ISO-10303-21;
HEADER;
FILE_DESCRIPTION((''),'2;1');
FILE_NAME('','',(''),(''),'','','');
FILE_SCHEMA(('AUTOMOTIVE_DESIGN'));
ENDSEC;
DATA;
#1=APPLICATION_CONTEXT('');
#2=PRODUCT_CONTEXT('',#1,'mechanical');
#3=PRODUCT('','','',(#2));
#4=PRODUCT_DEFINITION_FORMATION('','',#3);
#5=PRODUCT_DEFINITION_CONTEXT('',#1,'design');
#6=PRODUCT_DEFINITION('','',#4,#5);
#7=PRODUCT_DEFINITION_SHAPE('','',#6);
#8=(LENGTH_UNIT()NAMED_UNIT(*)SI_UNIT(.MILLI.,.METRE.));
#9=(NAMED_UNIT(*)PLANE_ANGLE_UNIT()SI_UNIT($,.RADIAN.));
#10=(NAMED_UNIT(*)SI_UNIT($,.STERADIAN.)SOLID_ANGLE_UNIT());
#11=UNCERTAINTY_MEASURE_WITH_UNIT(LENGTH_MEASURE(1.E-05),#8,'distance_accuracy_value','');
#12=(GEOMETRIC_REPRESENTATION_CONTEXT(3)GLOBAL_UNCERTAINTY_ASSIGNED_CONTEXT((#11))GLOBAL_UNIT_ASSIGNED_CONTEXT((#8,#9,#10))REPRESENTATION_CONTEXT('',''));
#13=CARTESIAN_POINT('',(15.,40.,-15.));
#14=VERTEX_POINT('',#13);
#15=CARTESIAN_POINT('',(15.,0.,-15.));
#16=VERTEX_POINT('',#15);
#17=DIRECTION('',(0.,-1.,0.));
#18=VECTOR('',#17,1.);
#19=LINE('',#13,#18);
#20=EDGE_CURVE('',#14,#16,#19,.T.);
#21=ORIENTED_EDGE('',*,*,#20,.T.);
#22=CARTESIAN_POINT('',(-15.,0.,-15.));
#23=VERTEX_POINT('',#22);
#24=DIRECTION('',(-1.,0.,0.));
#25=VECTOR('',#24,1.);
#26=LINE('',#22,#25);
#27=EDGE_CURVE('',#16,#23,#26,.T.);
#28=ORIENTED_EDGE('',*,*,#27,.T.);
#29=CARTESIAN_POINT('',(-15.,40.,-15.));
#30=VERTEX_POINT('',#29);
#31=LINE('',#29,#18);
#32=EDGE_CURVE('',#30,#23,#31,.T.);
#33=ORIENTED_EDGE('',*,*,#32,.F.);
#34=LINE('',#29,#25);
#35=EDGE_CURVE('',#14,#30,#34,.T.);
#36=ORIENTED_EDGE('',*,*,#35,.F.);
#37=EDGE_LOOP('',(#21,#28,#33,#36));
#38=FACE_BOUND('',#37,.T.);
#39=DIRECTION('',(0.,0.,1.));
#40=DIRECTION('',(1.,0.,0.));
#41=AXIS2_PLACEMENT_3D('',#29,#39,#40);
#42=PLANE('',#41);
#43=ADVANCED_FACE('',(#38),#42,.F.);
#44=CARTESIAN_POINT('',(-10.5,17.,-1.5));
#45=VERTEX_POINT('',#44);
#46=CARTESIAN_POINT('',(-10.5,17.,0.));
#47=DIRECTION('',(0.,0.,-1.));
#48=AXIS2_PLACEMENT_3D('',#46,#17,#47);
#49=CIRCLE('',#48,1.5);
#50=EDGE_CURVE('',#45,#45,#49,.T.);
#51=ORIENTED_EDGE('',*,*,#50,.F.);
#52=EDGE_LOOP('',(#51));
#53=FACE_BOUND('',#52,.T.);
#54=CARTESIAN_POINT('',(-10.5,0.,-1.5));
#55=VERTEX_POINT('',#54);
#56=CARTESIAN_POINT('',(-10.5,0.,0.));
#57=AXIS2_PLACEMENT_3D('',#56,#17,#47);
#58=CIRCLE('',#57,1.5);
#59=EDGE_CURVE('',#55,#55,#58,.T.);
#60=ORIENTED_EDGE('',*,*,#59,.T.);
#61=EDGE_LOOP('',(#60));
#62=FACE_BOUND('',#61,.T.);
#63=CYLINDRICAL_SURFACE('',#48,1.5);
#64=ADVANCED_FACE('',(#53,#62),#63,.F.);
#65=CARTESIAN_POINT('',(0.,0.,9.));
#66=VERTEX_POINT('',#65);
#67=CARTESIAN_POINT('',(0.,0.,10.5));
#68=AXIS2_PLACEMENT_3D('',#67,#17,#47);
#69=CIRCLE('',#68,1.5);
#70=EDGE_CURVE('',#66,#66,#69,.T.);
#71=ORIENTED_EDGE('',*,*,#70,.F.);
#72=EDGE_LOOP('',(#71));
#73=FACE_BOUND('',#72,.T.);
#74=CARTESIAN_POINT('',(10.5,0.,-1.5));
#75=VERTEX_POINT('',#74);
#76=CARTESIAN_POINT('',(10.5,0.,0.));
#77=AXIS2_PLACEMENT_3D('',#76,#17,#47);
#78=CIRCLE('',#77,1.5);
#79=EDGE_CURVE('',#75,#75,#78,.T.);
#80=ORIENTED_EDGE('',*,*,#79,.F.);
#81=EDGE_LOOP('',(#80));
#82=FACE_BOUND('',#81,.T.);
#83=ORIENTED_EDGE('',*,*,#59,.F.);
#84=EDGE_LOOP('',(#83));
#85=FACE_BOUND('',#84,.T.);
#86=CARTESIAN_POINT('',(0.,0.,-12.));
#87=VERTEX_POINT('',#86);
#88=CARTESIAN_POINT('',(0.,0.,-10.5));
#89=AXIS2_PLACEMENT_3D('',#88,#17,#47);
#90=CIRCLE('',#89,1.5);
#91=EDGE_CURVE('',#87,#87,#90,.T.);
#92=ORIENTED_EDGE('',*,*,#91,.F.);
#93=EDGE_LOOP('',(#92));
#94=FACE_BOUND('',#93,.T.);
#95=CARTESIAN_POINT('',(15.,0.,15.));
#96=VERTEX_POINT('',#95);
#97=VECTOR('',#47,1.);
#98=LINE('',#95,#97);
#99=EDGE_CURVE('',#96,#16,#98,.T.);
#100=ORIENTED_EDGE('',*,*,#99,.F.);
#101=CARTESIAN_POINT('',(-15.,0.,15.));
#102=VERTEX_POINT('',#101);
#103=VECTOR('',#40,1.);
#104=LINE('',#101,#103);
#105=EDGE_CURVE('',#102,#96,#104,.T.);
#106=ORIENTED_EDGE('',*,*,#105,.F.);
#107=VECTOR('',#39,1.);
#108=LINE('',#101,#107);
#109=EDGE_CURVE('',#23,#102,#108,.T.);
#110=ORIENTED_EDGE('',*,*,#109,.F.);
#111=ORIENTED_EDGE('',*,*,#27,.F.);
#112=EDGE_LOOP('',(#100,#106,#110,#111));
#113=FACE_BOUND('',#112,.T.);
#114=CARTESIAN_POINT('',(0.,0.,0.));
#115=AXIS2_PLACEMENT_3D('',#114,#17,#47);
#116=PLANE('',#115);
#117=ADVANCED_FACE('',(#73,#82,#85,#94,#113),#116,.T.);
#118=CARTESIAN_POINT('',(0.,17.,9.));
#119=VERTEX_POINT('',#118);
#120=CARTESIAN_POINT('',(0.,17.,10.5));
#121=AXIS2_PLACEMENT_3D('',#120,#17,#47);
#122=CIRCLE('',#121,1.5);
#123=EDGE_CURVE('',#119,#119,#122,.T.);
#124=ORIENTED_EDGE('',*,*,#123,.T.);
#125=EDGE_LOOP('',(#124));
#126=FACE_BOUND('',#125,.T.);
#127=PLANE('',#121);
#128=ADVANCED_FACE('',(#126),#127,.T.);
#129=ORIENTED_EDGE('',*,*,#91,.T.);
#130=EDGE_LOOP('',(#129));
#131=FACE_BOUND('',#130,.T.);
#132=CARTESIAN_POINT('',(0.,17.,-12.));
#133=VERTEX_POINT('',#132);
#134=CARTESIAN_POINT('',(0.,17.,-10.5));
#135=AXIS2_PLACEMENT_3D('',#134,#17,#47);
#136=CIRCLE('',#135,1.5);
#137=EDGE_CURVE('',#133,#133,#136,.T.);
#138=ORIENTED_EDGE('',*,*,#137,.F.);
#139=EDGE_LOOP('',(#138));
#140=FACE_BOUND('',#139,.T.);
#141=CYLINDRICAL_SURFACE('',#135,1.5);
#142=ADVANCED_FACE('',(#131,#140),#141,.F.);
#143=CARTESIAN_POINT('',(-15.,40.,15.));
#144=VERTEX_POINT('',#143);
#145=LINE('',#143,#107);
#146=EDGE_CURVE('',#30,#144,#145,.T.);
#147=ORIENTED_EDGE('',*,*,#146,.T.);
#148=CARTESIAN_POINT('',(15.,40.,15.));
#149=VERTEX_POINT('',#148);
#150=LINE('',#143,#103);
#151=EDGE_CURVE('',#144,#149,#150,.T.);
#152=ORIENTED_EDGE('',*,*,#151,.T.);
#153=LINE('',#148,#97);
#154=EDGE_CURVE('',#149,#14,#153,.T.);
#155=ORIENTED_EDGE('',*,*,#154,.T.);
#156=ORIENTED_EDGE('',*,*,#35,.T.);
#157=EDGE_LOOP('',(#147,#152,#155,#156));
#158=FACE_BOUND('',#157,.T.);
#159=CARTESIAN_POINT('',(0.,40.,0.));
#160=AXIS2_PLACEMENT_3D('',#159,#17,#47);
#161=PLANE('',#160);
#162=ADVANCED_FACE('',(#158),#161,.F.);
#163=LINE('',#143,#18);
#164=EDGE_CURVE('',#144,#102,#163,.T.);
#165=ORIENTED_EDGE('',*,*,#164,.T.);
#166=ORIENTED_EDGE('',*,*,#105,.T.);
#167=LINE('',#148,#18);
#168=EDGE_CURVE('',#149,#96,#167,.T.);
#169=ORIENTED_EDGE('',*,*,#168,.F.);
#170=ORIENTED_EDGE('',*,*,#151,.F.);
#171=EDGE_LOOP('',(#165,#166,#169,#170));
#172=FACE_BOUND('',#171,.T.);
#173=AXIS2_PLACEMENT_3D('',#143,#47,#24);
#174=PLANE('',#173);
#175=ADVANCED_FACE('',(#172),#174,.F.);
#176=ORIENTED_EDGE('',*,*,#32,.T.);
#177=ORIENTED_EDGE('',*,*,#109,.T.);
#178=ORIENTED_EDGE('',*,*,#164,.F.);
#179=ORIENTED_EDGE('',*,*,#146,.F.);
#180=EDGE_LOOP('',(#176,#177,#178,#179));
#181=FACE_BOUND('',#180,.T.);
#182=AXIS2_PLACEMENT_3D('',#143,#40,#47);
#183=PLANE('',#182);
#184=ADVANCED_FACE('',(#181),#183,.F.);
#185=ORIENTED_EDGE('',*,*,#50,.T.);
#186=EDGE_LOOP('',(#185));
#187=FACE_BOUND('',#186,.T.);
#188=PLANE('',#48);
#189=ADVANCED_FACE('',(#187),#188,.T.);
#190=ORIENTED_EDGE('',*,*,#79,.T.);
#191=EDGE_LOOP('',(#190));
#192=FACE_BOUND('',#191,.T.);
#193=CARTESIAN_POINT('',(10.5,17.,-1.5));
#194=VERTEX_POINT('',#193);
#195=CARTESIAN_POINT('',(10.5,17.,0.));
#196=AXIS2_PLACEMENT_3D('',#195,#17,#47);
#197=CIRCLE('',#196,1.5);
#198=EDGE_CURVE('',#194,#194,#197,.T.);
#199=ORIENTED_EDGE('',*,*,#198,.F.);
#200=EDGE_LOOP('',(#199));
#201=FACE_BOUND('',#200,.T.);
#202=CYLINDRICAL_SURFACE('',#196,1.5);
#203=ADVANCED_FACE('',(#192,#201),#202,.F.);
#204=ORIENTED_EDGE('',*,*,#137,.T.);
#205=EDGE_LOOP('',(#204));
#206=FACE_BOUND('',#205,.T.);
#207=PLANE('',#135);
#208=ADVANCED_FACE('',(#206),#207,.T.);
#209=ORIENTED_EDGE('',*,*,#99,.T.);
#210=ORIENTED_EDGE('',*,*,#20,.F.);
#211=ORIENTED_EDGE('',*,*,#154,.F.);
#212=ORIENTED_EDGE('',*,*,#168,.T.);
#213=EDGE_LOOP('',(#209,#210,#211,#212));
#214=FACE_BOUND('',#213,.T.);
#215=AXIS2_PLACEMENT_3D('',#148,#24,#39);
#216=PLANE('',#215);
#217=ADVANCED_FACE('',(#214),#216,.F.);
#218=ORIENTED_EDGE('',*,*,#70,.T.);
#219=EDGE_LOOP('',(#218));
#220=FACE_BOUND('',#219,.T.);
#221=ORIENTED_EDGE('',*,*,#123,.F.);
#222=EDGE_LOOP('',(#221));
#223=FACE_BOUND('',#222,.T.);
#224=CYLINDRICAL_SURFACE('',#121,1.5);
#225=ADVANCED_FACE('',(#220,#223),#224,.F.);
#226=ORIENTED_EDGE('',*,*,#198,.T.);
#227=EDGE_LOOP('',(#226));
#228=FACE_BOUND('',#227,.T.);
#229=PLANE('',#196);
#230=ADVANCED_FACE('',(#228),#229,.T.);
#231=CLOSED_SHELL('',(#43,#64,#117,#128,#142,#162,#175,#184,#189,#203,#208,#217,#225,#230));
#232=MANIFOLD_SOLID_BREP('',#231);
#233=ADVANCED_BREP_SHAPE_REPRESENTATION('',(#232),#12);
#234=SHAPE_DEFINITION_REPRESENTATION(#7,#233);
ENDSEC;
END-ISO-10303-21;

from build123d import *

# Parameters (mm, degrees)
SKETCH2_W           = 30
SKETCH2_H           = 30
BOSS_EXTRUDE1_DEPTH = 40
SKETCH3_R           = 1.5
CUT_EXTRUDE1_DEPTH  = 17


with BuildPart() as part:
    # Sketch2 → Boss-Extrude1 (new body)
    with BuildSketch(Plane(origin=(0, 0, 0), x_dir=(1, 0, 0), z_dir=(0, 1, 0))):
        Rectangle(SKETCH2_W, SKETCH2_H)
    extrude(amount=BOSS_EXTRUDE1_DEPTH)

    # Sketch3 → Cut-Extrude1 (cut)
    with BuildSketch(Plane.XZ):
        with Locations(Location((0, 10.5, 0), (0, 0, 270))):
            Circle(SKETCH3_R)
        with Locations(Location((10.5, 0, 0), (0, 0, 270))):
            Circle(SKETCH3_R)
        with Locations(Location((0, -10.5, 0), (0, 0, 270))):
            Circle(SKETCH3_R)
        with Locations(Location((-10.5, 0, 0), (0, 0, 270))):
            Circle(SKETCH3_R)
    extrude(amount=-CUT_EXTRUDE1_DEPTH, mode=Mode.SUBTRACT)


solid = part.part
